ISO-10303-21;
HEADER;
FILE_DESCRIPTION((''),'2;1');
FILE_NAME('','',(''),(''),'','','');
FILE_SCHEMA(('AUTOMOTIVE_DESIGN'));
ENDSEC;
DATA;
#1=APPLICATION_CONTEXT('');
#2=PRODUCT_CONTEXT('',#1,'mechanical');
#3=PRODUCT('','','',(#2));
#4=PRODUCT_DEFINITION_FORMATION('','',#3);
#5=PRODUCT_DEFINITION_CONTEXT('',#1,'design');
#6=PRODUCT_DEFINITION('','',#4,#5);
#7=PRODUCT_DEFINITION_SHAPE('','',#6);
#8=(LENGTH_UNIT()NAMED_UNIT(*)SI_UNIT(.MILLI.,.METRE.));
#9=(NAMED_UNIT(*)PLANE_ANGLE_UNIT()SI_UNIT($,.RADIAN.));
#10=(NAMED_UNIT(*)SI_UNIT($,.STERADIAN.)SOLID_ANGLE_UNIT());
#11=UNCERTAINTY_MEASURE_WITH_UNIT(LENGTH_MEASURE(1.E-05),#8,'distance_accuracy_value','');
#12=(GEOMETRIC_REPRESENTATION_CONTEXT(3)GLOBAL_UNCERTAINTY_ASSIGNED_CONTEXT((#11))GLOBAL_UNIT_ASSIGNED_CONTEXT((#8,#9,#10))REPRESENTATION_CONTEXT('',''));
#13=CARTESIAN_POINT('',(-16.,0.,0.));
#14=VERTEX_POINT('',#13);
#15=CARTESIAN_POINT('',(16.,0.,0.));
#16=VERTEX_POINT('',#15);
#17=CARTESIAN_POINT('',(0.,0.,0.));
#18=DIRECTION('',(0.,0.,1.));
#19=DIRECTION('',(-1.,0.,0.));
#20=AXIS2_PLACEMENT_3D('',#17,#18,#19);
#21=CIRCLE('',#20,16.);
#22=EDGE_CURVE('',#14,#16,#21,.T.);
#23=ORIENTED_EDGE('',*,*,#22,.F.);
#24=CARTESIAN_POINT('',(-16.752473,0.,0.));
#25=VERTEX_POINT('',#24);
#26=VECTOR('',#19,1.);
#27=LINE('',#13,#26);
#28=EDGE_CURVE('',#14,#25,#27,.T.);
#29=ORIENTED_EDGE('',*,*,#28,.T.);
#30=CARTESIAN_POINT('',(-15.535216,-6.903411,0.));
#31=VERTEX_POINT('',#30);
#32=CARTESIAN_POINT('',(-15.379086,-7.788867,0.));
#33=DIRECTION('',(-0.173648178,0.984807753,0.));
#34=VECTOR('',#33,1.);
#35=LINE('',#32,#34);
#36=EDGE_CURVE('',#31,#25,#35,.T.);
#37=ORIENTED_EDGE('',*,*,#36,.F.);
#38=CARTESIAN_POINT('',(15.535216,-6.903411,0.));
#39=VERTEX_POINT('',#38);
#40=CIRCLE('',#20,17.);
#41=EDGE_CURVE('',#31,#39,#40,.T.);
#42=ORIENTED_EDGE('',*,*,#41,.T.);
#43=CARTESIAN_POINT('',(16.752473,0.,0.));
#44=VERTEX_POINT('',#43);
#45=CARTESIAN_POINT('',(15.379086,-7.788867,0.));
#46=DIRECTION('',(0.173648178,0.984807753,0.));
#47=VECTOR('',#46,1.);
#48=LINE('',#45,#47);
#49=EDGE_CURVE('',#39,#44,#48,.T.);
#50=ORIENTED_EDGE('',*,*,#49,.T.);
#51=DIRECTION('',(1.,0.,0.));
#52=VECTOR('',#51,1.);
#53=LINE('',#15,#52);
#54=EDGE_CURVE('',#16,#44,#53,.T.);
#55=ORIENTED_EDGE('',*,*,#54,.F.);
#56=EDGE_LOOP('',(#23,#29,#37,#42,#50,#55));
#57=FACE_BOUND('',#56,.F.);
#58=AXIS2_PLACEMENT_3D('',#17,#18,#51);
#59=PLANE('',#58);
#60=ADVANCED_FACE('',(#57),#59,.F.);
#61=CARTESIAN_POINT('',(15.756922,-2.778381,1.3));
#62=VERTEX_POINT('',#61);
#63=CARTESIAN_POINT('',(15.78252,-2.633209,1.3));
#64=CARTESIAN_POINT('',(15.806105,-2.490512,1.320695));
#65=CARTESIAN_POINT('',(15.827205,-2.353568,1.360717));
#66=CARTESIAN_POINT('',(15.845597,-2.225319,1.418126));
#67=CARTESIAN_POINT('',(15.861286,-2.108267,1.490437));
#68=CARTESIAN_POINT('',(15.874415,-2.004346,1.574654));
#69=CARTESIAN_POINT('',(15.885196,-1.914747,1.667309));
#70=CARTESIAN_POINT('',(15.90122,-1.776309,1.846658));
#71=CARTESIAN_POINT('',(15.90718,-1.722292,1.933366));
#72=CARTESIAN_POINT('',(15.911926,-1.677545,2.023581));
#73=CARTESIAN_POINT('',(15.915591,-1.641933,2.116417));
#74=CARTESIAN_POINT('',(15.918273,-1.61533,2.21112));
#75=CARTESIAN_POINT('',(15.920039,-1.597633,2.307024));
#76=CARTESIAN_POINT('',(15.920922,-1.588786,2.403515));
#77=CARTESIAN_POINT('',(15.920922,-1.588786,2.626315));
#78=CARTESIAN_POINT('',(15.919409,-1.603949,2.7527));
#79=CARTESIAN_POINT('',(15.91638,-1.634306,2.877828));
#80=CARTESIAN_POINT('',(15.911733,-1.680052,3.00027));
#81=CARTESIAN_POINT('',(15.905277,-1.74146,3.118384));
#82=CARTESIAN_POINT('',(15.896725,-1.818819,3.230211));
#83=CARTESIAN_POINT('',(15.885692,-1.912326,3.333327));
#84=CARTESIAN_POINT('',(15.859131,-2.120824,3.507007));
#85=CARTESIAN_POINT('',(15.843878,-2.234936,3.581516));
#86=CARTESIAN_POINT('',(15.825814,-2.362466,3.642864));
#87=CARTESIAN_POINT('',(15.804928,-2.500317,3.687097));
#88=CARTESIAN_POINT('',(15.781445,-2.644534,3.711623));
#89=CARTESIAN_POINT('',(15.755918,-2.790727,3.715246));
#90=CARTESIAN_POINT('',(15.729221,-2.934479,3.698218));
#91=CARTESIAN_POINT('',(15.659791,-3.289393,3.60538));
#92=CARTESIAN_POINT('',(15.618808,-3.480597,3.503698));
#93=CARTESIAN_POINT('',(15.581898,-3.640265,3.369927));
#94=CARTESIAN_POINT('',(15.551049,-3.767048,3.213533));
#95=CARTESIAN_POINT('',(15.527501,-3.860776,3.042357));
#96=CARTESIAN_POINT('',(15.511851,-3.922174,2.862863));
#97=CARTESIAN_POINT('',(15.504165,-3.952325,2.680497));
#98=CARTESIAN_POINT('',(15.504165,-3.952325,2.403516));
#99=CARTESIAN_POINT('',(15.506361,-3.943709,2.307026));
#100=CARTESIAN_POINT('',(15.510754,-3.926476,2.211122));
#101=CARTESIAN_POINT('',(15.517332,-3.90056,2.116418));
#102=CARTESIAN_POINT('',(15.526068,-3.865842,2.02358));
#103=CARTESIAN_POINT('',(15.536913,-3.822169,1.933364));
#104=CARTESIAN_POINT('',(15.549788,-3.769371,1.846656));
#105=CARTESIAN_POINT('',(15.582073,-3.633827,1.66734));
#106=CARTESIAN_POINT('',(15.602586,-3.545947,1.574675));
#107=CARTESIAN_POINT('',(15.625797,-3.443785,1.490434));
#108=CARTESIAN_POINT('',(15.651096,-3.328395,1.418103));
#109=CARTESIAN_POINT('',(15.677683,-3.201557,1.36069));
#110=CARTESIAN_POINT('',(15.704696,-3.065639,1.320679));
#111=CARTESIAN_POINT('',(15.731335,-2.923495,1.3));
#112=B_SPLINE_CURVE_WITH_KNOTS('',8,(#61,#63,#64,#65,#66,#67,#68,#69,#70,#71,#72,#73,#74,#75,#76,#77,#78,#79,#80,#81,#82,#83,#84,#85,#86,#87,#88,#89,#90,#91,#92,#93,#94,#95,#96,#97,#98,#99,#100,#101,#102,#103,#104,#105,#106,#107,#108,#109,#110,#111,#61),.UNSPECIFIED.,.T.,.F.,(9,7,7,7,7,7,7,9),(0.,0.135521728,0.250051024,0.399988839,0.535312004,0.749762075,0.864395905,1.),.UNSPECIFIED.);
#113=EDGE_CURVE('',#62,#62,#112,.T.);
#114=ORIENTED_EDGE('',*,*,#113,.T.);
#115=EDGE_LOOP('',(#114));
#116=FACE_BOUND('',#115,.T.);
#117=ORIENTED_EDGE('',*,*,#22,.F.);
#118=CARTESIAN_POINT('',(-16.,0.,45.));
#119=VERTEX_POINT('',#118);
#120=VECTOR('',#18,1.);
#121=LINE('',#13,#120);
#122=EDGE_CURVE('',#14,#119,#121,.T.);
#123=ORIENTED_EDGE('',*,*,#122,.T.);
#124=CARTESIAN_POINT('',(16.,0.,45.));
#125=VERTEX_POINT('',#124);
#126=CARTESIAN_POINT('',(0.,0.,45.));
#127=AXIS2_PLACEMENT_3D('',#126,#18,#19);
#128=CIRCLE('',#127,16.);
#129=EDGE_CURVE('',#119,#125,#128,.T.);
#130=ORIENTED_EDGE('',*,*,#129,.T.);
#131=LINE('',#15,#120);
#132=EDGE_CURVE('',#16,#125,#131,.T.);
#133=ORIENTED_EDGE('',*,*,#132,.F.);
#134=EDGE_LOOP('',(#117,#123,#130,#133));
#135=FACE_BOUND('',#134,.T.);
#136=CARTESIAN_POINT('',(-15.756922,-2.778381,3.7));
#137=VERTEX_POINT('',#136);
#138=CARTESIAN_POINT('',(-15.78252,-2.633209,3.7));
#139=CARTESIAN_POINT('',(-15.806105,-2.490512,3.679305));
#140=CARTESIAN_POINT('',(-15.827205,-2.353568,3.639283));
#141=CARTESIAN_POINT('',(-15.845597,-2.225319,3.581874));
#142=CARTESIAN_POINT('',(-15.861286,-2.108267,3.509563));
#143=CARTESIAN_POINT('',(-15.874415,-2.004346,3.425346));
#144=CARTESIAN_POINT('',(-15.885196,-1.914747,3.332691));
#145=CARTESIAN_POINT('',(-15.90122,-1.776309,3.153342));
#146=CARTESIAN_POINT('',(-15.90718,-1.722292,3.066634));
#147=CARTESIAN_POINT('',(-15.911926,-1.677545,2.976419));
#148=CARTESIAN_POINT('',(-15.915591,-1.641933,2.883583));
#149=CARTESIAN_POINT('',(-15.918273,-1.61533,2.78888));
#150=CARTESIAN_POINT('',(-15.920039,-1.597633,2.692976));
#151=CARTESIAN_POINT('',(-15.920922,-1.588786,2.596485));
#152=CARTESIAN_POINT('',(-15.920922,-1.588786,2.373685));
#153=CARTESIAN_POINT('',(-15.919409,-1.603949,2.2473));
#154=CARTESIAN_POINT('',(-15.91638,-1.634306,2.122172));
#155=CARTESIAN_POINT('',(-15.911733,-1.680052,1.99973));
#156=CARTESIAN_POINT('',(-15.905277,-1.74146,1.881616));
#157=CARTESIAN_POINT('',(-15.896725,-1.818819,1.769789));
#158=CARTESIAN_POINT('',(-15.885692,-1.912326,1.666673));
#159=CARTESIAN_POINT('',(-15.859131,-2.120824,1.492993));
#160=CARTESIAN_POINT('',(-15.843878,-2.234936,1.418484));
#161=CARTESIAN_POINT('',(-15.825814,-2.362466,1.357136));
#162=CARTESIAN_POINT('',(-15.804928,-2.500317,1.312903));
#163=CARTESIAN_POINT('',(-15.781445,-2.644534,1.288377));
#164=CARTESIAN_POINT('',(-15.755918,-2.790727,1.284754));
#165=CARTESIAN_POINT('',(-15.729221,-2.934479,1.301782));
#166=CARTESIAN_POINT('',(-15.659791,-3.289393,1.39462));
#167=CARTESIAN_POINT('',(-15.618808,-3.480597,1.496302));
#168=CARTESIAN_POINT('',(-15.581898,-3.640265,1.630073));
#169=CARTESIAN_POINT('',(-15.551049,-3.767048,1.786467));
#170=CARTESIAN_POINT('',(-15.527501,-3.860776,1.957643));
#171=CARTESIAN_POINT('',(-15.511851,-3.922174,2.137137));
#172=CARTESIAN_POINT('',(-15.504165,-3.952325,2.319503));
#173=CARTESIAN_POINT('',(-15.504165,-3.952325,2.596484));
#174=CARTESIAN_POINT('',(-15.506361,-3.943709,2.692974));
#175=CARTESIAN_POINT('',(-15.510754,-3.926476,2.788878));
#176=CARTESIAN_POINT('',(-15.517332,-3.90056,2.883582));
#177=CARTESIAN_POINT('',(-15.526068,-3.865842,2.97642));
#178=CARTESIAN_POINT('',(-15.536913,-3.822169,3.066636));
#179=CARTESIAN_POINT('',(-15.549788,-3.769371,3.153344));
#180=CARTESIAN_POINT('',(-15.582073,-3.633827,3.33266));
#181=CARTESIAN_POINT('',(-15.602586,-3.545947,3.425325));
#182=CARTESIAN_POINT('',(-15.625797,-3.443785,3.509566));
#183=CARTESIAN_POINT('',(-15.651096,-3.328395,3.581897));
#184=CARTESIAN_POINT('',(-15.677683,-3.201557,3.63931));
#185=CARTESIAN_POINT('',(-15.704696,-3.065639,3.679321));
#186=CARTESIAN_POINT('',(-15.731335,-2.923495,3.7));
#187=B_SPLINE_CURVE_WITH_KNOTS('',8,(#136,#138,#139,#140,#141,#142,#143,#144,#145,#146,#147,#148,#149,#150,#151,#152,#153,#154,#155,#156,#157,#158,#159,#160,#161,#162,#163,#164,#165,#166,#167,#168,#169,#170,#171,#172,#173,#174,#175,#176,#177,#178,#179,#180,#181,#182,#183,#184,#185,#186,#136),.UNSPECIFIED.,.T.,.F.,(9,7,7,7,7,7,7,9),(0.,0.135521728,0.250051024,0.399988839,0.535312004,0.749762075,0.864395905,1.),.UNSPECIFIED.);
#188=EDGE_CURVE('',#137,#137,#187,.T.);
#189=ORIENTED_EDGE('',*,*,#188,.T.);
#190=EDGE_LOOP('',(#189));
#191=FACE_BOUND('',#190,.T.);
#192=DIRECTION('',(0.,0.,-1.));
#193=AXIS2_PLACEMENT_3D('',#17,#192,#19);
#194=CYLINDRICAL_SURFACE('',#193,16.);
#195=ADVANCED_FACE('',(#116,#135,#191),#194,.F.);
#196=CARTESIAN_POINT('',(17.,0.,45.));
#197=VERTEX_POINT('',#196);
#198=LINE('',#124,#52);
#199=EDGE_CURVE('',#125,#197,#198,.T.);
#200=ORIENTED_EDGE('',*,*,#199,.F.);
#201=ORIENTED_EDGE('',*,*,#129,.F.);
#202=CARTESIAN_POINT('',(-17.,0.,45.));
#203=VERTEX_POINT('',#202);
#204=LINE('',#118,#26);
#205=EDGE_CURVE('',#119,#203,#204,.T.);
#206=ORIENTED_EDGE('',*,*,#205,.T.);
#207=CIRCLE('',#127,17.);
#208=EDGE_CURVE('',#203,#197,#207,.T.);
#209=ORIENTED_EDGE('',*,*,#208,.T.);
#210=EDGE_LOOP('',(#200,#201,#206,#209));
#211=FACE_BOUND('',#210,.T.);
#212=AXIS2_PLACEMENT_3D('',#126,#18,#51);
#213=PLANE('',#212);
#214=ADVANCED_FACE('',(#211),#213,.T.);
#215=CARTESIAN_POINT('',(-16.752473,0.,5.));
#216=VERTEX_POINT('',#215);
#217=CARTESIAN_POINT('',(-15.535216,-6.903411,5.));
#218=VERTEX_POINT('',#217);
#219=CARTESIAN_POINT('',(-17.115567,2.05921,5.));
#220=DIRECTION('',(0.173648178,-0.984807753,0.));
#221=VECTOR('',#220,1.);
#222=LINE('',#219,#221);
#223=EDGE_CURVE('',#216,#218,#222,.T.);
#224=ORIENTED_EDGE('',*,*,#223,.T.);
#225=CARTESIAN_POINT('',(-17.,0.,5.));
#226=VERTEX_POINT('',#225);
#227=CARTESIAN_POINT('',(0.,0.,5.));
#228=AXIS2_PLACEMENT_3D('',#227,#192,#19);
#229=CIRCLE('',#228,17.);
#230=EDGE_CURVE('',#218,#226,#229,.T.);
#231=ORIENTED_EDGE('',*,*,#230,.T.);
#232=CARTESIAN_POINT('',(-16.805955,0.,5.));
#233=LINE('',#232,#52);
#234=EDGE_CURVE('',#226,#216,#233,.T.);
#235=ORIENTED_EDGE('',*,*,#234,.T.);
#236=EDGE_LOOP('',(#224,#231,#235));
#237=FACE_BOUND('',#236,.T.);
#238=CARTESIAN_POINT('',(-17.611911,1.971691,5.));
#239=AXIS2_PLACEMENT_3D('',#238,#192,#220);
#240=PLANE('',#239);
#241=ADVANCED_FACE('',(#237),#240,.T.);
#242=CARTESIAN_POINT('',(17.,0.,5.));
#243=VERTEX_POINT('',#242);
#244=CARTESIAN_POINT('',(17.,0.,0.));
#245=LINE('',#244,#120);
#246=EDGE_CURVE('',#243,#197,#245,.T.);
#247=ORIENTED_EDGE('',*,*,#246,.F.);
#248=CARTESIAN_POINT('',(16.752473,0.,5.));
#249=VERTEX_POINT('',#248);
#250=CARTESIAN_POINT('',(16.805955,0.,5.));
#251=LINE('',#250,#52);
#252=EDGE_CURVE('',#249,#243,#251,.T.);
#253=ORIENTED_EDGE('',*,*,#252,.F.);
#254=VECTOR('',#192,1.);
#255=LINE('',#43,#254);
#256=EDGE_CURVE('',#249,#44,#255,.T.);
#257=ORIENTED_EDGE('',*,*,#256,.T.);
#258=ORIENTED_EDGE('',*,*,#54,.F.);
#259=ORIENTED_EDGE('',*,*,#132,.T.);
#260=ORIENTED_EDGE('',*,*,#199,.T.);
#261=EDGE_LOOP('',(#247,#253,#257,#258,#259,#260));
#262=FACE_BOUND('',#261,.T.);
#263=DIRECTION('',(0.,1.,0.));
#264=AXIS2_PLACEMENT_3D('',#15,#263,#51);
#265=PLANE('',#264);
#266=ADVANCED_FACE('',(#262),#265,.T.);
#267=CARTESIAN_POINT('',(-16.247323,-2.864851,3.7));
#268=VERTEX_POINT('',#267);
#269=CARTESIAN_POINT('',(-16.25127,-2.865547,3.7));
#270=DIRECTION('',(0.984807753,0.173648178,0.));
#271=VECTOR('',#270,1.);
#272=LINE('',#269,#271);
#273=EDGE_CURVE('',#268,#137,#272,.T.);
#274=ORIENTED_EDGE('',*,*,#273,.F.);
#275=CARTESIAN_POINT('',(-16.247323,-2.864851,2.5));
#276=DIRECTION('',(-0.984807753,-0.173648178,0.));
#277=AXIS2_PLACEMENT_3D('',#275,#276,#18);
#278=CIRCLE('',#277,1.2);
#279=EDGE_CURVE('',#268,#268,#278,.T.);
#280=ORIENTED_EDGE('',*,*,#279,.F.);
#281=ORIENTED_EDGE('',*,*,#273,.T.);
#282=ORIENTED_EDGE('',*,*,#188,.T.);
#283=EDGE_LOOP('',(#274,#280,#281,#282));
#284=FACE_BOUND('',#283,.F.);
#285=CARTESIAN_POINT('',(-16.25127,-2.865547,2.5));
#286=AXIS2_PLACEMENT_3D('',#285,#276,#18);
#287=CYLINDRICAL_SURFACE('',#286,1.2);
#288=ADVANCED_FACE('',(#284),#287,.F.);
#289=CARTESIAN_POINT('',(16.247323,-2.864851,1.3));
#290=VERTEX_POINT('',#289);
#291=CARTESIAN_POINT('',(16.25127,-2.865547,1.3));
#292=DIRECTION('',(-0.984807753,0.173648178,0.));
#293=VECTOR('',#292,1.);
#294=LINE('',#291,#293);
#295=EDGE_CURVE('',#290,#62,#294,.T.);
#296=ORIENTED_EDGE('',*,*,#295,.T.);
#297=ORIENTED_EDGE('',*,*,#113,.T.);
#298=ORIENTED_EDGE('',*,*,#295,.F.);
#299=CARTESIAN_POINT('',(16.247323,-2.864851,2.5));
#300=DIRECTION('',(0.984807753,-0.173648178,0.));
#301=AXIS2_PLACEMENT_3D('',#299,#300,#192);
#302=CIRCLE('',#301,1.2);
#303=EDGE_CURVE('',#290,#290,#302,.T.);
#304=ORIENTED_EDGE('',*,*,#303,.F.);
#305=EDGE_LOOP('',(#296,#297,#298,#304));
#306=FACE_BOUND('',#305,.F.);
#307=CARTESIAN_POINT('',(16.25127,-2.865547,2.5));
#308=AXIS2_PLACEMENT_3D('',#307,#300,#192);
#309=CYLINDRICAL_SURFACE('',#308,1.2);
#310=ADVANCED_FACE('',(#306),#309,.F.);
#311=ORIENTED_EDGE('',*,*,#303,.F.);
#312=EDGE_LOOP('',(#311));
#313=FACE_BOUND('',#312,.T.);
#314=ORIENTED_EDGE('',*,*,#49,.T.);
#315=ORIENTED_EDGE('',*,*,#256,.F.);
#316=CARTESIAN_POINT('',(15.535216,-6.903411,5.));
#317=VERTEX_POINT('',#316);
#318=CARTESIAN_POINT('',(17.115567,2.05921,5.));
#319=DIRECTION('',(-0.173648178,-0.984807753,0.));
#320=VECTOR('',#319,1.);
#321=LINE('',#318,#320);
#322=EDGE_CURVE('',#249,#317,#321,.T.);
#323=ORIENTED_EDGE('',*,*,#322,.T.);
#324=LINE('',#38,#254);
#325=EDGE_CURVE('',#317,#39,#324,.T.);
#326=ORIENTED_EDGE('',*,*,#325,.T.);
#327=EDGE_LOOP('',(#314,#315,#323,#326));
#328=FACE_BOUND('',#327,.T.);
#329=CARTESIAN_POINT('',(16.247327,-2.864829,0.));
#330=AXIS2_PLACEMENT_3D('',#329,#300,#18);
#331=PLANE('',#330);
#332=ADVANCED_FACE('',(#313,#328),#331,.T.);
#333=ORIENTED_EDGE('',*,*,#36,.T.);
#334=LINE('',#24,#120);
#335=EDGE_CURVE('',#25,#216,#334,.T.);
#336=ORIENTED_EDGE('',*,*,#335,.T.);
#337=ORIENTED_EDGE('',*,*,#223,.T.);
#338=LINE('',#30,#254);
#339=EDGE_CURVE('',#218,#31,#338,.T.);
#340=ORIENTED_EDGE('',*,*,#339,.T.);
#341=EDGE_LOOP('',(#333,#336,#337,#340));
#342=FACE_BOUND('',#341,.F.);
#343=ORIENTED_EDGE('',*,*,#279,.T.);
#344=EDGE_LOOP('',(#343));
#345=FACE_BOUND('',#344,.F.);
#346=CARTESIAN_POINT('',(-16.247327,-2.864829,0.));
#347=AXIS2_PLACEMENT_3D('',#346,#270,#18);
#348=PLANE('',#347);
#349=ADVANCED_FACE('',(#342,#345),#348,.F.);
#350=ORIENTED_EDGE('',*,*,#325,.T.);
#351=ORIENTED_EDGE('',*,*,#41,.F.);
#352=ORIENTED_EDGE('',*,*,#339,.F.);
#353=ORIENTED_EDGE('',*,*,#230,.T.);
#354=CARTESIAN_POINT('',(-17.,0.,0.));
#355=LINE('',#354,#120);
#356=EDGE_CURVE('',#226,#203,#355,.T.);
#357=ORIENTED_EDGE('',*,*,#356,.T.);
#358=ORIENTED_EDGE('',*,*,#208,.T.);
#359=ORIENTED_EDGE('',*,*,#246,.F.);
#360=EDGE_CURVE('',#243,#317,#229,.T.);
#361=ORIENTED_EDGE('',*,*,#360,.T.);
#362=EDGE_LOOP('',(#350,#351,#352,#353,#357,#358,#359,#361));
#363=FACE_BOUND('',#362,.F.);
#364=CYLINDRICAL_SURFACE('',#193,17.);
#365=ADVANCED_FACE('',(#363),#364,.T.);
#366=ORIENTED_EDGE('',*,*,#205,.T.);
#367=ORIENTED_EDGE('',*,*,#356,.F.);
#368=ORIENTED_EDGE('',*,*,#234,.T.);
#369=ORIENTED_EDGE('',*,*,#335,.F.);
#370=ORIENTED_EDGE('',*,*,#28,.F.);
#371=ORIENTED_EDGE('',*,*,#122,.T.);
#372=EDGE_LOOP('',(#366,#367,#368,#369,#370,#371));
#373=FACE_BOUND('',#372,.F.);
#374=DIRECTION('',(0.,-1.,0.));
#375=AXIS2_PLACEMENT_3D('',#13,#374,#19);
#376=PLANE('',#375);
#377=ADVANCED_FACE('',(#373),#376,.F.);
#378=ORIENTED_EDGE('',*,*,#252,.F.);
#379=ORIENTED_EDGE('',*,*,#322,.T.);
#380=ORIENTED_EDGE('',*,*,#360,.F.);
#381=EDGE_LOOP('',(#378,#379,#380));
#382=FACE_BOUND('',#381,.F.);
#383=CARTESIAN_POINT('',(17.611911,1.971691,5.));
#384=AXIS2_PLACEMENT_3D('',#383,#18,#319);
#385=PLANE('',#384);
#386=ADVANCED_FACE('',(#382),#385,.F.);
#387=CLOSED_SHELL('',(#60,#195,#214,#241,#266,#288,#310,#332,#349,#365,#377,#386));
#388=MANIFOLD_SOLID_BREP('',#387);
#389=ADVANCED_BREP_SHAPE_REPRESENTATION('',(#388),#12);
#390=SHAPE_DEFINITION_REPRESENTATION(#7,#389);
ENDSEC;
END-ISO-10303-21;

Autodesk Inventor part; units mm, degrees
ref_plane "XZ Plane" through (0, 0, 0) normal (0, 1, 0) x (-1, 0, 0)
sketch "スケッチ1" plane through (0, 0, 0) normal (0, 0, 1) x (1, 0, 0)
  arc A0 (-17, 0) -> (17, 0) centre (0, 0) ccw
  arc A1 (-16, 0) -> (16, 0) centre (0, 0) ccw
  line L0 (-16, 0) -> (-17, 0)
  line L1 (16, 0) -> (17, 0)
  dimension "d0" = 17
  dimension "d66" = 1
extrude "押し出し1" add sketch "スケッチ1" along normal blind 45
ref_plane "作業平面4" through (16.7417, -2.952, 0) normal (0.9848, -0.1736, 0) x (0, 0, 1)
ref_plane "作業平面3" through (0, 0, 0) normal (0.9848, -0.1736, 0) x (0, 0, 1)
ref_plane "作業平面6" through (-16.7417, -2.952, 0) normal (0.9848, 0.1736, 0) x (0, 0, 1)
ref_plane "作業平面5" through (0, 0, 0) normal (0.9848, 0.1736, 0) x (0, 0, 1)
sketch "スケッチ8" plane through (16.7417, -2.952, 0) normal (0.9848, -0.1736, 0) x (0, 0, 1)
  line L0 (0, -5) -> (5, -5)
  line L1 (5, -5) -> (5, 5)
  line L2 (5, 5) -> (0, 5)
  line L3 (0, 5) -> (0, -5)
  line L4 (0, 0) -> (8.4852, 0) construction
  dimension "d38" = 5
  dimension "d39" = 10
extrude "押し出し8" cut sketch "スケッチ8" against normal blind 0.5
sketch "スケッチ9" plane through (-16.7417, -2.952, 0) normal (0.9848, 0.1736, 0) x (0, 0, 1)
  line L0 (0, -5) -> (5, -5)
  line L1 (5, -5) -> (5, 5)
  line L2 (5, 5) -> (0, 5)
  line L3 (0, 5) -> (0, -5)
  line L4 (0, 0) -> (8.3316, 0) construction
  dimension "d42" = 5
  dimension "d43" = 10
extrude "押し出し9" cut sketch "スケッチ9" along normal blind 0.5
sketch "スケッチ11" plane through (16.2493, -2.8652, 0) normal (0.9848, -0.1736, 0) x (0, 0, -1)
  circle A0 centre (-2.5, 0) radius 1.2
  point P0 (0, 0)
  dimension "d50" = 2.4
  dimension "d51" = 2.5
extrude "押し出し11" cut sketch "スケッチ11" against normal blind 1
sketch "スケッチ12" plane through (-16.2493, -2.8652, 0) normal (-0.9848, -0.1736, 0) x (0, 0, 1)
  circle A0 centre (2.5, 0) radius 1.2
  point P0 (0, 0)
  dimension "d54" = 2.4
  dimension "d55" = 2.5
extrude "押し出し12" cut sketch "スケッチ12" against normal blind 1
properties part number "B_shield_5" material "ステンレス鋼 440C"
